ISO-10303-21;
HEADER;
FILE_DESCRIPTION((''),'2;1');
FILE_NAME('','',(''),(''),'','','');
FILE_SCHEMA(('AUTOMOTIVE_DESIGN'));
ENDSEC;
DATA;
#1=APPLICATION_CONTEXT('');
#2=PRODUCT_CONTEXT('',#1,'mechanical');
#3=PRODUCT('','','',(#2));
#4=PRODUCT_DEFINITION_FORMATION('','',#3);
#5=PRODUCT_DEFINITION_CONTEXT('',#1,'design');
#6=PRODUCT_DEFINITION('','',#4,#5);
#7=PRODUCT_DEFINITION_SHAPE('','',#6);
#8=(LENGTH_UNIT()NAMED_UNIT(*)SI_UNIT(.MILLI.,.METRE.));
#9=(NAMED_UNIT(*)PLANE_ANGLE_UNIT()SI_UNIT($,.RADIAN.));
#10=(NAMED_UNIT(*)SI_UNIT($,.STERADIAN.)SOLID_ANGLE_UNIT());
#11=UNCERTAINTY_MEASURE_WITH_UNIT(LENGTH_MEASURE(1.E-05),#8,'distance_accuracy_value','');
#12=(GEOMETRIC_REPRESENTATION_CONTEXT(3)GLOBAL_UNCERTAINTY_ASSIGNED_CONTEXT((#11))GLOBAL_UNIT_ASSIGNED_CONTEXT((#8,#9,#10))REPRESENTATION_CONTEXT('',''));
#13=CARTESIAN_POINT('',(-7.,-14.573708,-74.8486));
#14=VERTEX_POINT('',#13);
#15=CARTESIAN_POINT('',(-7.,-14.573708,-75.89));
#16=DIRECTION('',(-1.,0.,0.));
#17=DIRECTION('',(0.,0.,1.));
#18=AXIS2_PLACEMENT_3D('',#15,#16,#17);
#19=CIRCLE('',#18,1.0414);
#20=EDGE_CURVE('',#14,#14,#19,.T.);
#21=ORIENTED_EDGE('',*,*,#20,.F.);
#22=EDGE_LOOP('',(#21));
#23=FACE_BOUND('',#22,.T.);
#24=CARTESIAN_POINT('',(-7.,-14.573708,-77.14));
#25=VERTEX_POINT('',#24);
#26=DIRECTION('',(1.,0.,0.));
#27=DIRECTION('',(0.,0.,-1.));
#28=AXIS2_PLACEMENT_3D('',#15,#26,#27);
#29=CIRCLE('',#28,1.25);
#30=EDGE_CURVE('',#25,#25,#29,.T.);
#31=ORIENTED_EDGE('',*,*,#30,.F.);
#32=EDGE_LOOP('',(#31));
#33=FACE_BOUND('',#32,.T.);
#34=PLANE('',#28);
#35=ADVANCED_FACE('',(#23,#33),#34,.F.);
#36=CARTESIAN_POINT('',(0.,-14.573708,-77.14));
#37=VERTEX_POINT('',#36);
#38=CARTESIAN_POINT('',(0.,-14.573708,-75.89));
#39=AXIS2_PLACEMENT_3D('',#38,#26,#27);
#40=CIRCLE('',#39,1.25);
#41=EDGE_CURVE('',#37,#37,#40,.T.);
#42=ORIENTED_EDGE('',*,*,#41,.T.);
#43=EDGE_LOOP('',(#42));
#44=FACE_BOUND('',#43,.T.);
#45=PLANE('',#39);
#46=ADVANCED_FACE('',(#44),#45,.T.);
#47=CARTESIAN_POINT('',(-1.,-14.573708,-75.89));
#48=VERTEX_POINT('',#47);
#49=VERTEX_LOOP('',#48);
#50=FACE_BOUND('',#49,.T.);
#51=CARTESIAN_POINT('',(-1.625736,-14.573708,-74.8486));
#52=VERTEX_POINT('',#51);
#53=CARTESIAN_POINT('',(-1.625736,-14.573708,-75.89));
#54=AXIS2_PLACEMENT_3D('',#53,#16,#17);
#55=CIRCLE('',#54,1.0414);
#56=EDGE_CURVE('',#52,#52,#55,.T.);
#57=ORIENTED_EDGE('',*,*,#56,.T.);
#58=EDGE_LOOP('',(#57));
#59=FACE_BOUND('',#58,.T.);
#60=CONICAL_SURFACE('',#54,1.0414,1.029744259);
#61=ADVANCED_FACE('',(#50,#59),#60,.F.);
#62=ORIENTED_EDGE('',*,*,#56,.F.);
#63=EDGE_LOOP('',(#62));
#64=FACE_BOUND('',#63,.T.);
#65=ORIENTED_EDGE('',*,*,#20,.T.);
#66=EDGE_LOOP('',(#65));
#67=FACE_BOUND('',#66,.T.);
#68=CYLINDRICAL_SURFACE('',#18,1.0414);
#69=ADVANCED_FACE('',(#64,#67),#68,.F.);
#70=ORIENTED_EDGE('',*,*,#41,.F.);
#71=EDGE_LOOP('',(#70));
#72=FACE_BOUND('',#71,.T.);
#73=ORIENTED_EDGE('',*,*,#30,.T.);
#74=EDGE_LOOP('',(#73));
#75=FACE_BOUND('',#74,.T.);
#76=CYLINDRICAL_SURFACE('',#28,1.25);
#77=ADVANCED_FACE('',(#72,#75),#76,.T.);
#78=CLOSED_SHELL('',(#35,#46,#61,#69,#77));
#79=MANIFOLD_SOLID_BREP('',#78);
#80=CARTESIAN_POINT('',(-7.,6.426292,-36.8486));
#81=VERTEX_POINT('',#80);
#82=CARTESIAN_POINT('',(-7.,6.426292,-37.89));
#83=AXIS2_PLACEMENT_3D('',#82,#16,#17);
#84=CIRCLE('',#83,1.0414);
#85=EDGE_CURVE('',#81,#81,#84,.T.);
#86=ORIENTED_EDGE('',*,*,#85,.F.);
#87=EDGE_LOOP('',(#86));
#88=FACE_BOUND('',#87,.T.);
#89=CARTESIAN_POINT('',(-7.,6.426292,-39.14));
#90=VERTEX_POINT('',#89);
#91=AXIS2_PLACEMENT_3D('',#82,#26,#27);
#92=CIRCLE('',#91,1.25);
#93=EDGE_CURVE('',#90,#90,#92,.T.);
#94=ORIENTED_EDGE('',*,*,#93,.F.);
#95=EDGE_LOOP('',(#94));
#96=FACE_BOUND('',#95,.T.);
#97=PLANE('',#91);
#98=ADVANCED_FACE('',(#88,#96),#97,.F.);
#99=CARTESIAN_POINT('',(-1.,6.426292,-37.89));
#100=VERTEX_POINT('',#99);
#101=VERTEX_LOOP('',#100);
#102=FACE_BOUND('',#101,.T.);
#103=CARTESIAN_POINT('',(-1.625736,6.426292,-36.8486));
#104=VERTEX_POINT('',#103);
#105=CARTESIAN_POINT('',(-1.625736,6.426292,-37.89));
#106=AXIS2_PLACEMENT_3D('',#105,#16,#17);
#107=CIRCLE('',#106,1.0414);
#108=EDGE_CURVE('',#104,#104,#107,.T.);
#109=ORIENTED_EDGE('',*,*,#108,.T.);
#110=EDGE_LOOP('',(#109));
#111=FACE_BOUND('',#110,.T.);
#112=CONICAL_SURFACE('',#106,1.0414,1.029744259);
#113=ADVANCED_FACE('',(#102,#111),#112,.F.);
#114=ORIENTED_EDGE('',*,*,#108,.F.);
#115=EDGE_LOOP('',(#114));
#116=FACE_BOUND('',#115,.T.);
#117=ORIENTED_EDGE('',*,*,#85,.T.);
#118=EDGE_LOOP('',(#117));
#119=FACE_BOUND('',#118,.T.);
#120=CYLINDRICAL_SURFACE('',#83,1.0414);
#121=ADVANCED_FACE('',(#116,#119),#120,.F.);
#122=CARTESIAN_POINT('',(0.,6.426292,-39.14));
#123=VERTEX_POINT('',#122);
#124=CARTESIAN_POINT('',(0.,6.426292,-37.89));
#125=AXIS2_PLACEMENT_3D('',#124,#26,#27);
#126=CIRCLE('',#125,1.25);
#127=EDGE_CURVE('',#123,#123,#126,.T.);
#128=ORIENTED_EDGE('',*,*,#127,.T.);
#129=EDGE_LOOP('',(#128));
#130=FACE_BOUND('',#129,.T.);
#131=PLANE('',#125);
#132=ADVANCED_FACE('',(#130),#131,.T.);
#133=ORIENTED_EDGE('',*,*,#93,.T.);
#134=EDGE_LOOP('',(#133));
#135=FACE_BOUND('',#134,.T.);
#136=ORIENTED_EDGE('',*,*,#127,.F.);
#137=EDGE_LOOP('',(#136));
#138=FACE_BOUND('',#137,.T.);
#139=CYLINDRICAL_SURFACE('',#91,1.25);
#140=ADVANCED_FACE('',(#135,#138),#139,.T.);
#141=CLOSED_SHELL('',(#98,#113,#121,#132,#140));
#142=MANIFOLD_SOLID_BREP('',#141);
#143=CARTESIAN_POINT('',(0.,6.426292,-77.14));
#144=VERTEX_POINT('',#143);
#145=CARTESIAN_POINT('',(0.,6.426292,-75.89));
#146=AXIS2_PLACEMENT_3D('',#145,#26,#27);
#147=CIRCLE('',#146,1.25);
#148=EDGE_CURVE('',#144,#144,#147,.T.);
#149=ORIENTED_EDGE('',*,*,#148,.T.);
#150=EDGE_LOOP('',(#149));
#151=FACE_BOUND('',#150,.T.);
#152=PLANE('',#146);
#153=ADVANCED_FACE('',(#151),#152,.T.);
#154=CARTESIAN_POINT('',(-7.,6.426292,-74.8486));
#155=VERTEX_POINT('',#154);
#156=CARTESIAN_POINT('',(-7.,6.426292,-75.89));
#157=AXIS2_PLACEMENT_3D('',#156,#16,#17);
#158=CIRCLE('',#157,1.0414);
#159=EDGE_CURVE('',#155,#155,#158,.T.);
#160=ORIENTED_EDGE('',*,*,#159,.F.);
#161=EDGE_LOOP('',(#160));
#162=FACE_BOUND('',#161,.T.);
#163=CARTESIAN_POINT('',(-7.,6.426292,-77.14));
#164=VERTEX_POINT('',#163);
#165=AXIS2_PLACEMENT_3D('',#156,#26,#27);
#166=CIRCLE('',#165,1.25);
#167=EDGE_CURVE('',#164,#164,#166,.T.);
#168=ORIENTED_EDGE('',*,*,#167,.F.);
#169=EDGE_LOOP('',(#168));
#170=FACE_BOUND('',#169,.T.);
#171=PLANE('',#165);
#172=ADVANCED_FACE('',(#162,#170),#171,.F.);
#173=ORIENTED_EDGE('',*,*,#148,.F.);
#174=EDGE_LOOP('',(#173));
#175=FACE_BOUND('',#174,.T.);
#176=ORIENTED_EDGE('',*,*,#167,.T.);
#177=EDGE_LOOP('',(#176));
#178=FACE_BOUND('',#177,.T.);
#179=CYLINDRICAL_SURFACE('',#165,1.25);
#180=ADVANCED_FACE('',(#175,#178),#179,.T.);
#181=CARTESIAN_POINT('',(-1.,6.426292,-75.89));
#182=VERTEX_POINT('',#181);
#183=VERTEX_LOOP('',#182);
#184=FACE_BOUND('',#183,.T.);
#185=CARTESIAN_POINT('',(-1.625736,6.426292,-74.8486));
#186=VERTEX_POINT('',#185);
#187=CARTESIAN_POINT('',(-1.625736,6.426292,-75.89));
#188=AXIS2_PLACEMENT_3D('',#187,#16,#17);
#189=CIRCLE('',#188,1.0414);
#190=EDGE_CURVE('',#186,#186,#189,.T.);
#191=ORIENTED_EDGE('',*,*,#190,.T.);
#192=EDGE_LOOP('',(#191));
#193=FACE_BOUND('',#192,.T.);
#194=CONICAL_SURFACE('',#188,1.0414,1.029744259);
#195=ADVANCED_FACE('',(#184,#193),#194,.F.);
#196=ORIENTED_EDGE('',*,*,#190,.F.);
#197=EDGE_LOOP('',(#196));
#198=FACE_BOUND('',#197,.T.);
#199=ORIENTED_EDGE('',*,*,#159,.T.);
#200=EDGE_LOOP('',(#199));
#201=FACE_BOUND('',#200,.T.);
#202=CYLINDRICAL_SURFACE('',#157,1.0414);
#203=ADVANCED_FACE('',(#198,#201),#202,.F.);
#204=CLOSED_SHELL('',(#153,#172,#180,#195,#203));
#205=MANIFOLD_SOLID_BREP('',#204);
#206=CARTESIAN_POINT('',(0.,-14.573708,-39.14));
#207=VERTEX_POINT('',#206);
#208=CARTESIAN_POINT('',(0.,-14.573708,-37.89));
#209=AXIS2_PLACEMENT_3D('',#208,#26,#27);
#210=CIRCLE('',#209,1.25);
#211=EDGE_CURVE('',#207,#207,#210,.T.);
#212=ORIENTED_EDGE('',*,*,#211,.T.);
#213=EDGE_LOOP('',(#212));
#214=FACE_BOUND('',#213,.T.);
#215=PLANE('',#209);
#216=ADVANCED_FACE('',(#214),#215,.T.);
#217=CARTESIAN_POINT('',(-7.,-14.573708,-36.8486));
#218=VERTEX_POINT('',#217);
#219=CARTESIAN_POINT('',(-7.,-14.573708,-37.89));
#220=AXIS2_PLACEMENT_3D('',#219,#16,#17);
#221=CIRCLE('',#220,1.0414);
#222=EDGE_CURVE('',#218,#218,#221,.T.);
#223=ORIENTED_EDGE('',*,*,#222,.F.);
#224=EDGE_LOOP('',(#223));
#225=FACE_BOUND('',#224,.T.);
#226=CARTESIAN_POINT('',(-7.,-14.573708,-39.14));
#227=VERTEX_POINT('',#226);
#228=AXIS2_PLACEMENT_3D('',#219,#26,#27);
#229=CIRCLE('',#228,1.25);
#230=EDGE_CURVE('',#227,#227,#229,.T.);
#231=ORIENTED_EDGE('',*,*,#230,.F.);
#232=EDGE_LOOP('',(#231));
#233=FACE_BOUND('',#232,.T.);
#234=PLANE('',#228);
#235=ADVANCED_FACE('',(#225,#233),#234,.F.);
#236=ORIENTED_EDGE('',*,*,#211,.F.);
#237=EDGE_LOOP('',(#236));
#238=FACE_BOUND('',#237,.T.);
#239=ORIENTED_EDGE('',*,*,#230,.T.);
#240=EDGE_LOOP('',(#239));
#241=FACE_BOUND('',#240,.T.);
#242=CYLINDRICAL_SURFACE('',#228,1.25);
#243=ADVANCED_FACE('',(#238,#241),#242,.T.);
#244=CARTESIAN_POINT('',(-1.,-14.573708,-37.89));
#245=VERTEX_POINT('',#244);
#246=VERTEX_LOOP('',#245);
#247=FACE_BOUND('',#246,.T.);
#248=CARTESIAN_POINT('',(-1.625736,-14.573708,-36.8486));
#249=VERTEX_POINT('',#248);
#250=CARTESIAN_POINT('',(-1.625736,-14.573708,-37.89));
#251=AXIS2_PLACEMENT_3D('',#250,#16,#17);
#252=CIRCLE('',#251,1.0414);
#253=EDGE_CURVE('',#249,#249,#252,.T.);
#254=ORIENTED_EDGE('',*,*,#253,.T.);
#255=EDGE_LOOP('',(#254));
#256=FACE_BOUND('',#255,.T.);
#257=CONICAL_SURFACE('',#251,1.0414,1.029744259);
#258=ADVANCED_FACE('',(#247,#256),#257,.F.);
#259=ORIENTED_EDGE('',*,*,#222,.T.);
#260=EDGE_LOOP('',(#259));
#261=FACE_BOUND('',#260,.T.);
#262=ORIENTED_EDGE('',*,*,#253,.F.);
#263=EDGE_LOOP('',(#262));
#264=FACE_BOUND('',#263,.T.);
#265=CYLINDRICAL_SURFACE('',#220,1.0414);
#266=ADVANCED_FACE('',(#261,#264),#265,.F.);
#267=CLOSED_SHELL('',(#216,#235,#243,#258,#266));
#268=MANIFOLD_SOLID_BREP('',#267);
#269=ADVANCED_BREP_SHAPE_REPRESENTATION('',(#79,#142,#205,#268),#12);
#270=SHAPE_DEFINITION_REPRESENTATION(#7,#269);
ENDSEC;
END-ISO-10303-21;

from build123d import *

# Parameters (mm, degrees)
SKETCH2_R                            = 1.25
BOSS_EXTRUDE1_DEPTH                  = 7
BOSS_EXTRUDE1_2_DEPTH                = 7
BOSS_EXTRUDE1_3_DEPTH                = 7
BOSS_EXTRUDE1_4_DEPTH                = 7
F_45_0_082_DIAMETER_HOLE1_AT_2_COUNT = 2
F_45_0_082_DIAMETER_HOLE1_AT_2_PITCH = 38
F_45_0_082_DIAMETER_HOLE1_AT_3_COUNT = 2
F_45_0_082_DIAMETER_HOLE1_AT_3_PITCH = 43.416586692
F_45_0_082_DIAMETER_HOLE1_AT_4_COUNT = 2
F_45_0_082_DIAMETER_HOLE1_AT_4_PITCH = 21


with BuildPart() as part:
    # Sketch2 → Boss-Extrude1 (new body)
    with BuildSketch(Plane(origin=(0, 0, 0), x_dir=(0, 0, -1), z_dir=(1, 0, 0))):
        with Locations((75.89, 6.426291501)):
            Circle(SKETCH2_R)
    extrude(amount=-BOSS_EXTRUDE1_DEPTH)


with BuildPart() as body_2:
    # Sketch2 → Boss-Extrude1 2 (new body)
    with BuildSketch(Plane(origin=(0, 0, 0), x_dir=(0, 0, -1), z_dir=(1, 0, 0))):
        with Locations((37.89, 6.426291501)):
            Circle(SKETCH2_R)
    extrude(amount=-BOSS_EXTRUDE1_2_DEPTH)


with BuildPart() as body_3:
    # Sketch2 → Boss-Extrude1 3 (new body)
    with BuildSketch(Plane(origin=(0, 0, 0), x_dir=(0, 0, -1), z_dir=(1, 0, 0))):
        with Locations((37.89, -14.573708499)):
            Circle(SKETCH2_R)
    extrude(amount=-BOSS_EXTRUDE1_3_DEPTH)

    # Sketch4 → #45 (0.082) Diameter Hole1 (revolve, cut)
    with BuildSketch(Plane(origin=(-7, -14.573708499, -37.89), x_dir=(0, 0, 1), z_dir=(0, 1, 0))):
        Polygon((0, 0), (0, 6), (1.0414, 5.374263751), (1.0414, 0), align=None)
    f_45_0_082_diameter_hole1 = revolve(axis=Axis((-13.35, -14.573708499, -37.89), (1, 0, 0)), mode=Mode.SUBTRACT)


with BuildPart() as body_4:
    # Sketch2 → Boss-Extrude1 4 (new body)
    with BuildSketch(Plane(origin=(0, 0, 0), x_dir=(0, 0, -1), z_dir=(1, 0, 0))):
        with Locations((75.89, -14.573708499)):
            Circle(SKETCH2_R)
    extrude(amount=-BOSS_EXTRUDE1_4_DEPTH)

    # #45 (0.082) Diameter Hole1 at 2: #45 (0.082) Diameter Hole1 ×2
    with Locations(*[(0, 0, -i * F_45_0_082_DIAMETER_HOLE1_AT_2_PITCH) for i in range(1, F_45_0_082_DIAMETER_HOLE1_AT_2_COUNT)]):
        add(f_45_0_082_diameter_hole1, mode=Mode.SUBTRACT)


with BuildPart() as part_1:
    add(part.part)

    # #45 (0.082) Diameter Hole1 at 3: #45 (0.082) Diameter Hole1 ×2
    with Locations(*[Vector(0, 0.4836861116901228, -0.8752415354392695) * (i * F_45_0_082_DIAMETER_HOLE1_AT_3_PITCH) for i in range(1, F_45_0_082_DIAMETER_HOLE1_AT_3_COUNT)]):
        add(f_45_0_082_diameter_hole1, mode=Mode.SUBTRACT)


with BuildPart() as body_2_1:
    add(body_2.part)

    # #45 (0.082) Diameter Hole1 at 4: #45 (0.082) Diameter Hole1 ×2
    with Locations(*[(0, i * F_45_0_082_DIAMETER_HOLE1_AT_4_PITCH, 0) for i in range(1, F_45_0_082_DIAMETER_HOLE1_AT_4_COUNT)]):
        add(f_45_0_082_diameter_hole1, mode=Mode.SUBTRACT)


solid = Compound([body_3.part, body_4.part, part_1.part, body_2_1.part])
